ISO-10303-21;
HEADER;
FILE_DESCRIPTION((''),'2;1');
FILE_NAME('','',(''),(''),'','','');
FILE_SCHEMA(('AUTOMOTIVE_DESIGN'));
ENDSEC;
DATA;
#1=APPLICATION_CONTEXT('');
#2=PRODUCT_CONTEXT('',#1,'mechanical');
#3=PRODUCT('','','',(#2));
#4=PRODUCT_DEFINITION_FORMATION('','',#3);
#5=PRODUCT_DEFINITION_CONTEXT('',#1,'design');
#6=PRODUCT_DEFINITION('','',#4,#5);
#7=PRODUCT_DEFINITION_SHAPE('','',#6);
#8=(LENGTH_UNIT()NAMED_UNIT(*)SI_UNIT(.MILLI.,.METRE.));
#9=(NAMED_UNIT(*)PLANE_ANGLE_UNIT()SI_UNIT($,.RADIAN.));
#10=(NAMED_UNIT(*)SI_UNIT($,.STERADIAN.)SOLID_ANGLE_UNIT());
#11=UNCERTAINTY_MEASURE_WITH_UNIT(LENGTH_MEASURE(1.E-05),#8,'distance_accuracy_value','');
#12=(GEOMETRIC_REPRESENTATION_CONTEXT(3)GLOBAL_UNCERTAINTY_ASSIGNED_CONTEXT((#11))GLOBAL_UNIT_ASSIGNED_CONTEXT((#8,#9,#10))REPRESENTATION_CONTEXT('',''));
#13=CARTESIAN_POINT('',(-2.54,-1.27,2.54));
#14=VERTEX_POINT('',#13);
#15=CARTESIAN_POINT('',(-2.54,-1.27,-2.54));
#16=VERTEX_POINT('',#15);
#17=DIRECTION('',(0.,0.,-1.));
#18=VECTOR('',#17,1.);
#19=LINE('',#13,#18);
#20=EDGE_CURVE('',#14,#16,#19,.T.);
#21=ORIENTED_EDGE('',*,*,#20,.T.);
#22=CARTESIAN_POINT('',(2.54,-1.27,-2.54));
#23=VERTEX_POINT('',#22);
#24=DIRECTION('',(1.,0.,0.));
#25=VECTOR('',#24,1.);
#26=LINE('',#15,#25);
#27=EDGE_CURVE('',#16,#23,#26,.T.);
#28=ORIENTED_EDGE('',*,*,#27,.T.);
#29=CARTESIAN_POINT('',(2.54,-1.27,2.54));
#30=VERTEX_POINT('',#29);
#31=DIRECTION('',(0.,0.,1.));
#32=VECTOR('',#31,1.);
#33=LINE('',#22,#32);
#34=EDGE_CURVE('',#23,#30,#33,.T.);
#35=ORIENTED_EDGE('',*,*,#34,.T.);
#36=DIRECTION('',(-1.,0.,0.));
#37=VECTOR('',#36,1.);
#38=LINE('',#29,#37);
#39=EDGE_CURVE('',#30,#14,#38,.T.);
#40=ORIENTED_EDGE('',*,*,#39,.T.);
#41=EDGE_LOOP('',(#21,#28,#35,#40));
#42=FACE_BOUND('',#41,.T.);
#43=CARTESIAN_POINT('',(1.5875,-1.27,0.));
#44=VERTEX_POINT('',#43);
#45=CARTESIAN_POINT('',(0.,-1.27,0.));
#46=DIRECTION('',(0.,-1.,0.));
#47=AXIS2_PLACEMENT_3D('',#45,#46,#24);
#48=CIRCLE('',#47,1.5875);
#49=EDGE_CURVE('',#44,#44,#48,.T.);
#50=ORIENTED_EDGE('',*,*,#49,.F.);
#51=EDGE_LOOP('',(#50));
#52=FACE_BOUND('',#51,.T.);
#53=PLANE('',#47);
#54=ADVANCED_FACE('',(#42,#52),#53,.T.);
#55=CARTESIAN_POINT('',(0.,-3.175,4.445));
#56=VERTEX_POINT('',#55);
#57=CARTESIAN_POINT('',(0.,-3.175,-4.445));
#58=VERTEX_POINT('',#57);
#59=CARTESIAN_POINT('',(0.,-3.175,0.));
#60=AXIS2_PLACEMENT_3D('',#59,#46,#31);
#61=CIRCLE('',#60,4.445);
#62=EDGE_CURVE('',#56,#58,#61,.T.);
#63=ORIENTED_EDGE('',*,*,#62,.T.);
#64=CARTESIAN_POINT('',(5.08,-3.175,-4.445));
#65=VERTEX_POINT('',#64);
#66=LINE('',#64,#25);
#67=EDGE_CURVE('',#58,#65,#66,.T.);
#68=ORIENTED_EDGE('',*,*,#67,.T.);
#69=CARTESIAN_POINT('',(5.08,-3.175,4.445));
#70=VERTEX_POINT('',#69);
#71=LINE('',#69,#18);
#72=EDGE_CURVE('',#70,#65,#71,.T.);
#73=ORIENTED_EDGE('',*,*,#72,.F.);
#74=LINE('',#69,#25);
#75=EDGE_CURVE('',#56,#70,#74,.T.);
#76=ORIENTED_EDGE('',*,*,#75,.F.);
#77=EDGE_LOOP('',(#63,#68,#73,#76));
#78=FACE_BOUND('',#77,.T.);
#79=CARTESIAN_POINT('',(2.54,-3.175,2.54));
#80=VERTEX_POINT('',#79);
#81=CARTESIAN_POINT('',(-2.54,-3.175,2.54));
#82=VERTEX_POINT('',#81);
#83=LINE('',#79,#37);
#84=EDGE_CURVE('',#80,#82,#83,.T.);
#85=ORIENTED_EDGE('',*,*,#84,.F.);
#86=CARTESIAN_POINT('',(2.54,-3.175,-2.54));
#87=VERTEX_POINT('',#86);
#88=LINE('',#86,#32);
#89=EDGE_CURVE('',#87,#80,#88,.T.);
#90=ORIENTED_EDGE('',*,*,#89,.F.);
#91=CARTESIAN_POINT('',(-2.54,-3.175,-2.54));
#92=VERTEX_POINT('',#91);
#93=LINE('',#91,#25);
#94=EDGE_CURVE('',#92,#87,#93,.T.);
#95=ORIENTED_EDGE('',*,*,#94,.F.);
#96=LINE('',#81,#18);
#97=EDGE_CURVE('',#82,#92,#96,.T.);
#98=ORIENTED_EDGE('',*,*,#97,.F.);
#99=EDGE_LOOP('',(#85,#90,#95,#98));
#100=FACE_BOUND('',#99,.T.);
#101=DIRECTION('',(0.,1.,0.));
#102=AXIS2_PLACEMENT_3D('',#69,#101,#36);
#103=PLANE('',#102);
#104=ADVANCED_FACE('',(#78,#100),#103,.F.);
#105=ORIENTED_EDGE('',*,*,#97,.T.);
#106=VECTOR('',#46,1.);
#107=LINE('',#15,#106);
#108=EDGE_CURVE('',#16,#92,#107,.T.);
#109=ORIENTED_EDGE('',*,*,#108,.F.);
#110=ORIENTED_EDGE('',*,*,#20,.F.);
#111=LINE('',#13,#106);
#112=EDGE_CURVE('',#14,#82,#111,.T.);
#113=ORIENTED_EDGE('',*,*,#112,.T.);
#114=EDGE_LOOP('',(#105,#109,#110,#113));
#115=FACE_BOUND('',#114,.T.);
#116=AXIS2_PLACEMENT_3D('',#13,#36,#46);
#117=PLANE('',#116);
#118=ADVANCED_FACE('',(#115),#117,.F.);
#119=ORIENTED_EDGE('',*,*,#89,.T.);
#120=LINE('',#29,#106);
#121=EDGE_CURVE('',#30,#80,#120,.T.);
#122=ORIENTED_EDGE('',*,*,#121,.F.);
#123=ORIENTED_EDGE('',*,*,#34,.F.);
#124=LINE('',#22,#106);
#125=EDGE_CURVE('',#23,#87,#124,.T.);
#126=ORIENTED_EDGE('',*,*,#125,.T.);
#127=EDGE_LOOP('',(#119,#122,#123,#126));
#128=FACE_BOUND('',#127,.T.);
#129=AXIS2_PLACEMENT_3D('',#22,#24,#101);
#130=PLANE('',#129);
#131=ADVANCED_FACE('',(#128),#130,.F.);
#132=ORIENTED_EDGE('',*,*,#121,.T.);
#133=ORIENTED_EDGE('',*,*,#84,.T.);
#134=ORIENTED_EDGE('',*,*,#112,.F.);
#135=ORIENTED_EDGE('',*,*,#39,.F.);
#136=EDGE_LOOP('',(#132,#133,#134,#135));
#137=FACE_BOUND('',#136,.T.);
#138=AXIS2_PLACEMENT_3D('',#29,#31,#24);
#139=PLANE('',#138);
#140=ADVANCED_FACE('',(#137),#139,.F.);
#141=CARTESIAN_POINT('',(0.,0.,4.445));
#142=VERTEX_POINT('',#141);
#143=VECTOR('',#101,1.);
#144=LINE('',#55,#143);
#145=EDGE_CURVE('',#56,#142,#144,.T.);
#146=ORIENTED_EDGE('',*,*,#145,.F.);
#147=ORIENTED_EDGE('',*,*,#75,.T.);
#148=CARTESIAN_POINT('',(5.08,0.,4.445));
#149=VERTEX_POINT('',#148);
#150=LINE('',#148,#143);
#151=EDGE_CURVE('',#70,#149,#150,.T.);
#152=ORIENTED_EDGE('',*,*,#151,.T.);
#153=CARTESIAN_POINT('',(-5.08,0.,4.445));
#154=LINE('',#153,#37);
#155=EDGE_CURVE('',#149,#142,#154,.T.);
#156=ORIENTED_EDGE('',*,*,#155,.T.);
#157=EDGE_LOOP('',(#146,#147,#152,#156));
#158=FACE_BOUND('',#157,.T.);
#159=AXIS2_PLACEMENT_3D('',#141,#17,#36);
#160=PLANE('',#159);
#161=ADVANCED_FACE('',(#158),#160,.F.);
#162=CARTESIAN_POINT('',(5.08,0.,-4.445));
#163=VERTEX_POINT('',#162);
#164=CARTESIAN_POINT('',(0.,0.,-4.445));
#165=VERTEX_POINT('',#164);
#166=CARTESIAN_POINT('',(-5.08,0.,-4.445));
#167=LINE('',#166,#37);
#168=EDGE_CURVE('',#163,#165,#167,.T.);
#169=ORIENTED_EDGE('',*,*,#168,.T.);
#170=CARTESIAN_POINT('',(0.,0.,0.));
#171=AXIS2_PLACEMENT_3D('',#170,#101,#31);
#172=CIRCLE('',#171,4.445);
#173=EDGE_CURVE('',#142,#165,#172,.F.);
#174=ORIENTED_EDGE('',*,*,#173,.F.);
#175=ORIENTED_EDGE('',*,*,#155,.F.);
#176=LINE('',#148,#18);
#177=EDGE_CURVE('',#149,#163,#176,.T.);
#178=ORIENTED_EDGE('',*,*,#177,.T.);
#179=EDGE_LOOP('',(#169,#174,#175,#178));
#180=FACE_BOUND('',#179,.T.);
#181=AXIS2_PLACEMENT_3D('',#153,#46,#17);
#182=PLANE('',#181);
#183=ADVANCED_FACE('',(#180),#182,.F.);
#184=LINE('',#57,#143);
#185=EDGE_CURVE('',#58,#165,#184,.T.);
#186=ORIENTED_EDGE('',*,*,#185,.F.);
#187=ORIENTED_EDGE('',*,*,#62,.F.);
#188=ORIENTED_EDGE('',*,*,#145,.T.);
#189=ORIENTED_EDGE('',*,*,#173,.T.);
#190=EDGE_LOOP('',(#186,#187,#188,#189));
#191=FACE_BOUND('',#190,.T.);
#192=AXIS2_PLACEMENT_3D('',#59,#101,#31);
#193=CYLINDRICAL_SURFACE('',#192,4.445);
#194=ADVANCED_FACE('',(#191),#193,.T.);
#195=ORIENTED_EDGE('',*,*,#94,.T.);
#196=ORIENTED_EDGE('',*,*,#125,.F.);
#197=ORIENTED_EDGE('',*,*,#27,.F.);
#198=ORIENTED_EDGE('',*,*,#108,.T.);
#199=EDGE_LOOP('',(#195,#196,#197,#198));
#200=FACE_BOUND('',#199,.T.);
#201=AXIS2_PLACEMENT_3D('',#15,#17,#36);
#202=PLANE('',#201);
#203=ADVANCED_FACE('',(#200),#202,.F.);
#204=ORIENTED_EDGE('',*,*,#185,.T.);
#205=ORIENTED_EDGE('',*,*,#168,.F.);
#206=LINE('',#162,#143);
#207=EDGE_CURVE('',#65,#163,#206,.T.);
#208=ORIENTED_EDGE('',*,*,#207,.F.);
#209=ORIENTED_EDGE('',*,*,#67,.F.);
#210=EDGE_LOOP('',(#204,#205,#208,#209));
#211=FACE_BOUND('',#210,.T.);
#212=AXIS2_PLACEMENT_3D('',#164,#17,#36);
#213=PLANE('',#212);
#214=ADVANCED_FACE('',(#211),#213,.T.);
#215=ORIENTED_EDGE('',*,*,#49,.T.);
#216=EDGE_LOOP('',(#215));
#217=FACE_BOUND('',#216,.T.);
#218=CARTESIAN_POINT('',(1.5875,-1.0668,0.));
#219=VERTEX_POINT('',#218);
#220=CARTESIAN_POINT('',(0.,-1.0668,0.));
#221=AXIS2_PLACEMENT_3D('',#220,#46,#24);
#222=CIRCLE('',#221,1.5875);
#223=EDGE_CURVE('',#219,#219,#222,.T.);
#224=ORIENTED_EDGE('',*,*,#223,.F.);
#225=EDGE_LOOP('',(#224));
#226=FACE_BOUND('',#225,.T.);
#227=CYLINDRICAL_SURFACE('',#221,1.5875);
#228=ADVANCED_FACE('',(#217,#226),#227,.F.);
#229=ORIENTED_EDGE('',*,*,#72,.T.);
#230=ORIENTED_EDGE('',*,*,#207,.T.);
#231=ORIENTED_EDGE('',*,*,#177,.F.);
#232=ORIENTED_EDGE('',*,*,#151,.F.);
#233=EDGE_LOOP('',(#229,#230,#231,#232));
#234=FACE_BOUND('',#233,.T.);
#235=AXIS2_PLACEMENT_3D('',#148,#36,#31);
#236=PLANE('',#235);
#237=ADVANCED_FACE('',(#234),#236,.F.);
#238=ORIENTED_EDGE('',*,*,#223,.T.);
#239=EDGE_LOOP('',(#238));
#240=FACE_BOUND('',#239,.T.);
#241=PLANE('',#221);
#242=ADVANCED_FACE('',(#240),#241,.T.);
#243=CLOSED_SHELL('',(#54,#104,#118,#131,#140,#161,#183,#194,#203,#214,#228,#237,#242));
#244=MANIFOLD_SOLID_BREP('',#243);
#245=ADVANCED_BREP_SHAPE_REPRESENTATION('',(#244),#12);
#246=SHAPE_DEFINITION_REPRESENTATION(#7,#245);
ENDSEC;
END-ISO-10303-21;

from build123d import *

# Parameters (mm, degrees)
SKETCH1_W               = 10.16
SKETCH1_H               = 3.175
BOSS_EXTRUDE1_DEPTH     = 4.445
SKETCH3_OUTSIDE_W       = 14.934
SKETCH3_OUTSIDE_H       = 13.664
SKETCH3_OUTSIDE_W_2     = 10.16
SKETCH3_OUTSIDE_H_2     = 8.89
SKETCH3_OUTSIDE_W_3     = 5.08
SKETCH3_OUTSIDE_H_3     = 5.08
CUT_EXTRUDE1_DEPTH      = 1.905
CUT_EXTRUDE2_DEPTH      = 1
CUT_EXTRUDE2_DEPTH_BACK = 4.175
SKETCH6_R               = 1.5875
CUT_EXTRUDE3_DEPTH      = 0.2032


with BuildPart() as part:
    # Sketch1 → Boss-Extrude1 (new body, symmetric)
    with BuildSketch(Plane.XY):
        with Locations((0, -1.5875)):
            Rectangle(SKETCH1_W, SKETCH1_H)
    extrude(amount=BOSS_EXTRUDE1_DEPTH, both=True)

    # Sketch3 outside → Cut-Extrude1 (cut)
    with BuildSketch(Plane.XZ.offset(3.175)):
        Rectangle(SKETCH3_OUTSIDE_W, SKETCH3_OUTSIDE_H)
        Rectangle(SKETCH3_OUTSIDE_W_2, SKETCH3_OUTSIDE_H_2, mode=Mode.SUBTRACT)
        Rectangle(SKETCH3_OUTSIDE_W_3, SKETCH3_OUTSIDE_H_3)
    extrude(amount=-CUT_EXTRUDE1_DEPTH, mode=Mode.SUBTRACT)

    # Sketch5 → Cut-Extrude2 (cut, two sides)
    with BuildSketch(Plane(origin=(0, 0, 0), x_dir=(1, 0, 0), z_dir=(0, 1, 0))) as cut_extrude2_sk:
        with BuildLine():
            Line((0, 4.445), (-5.08, 4.445))
            Line((-5.08, 4.445), (-5.08, -4.445))
            Line((-5.08, -4.445), (0, -4.445))
            ThreePointArc((0, -4.445), (-4.445, 0), (0, 4.445))
        make_face()
    extrude(amount=CUT_EXTRUDE2_DEPTH, mode=Mode.SUBTRACT)
    extrude(cut_extrude2_sk.sketch, amount=-CUT_EXTRUDE2_DEPTH_BACK, mode=Mode.SUBTRACT)

    # Sketch6 → Cut-Extrude3 (cut)
    with BuildSketch(Plane.XZ.offset(1.27)):
        Circle(SKETCH6_R)
    extrude(amount=-CUT_EXTRUDE3_DEPTH, mode=Mode.SUBTRACT)


solid = part.part
